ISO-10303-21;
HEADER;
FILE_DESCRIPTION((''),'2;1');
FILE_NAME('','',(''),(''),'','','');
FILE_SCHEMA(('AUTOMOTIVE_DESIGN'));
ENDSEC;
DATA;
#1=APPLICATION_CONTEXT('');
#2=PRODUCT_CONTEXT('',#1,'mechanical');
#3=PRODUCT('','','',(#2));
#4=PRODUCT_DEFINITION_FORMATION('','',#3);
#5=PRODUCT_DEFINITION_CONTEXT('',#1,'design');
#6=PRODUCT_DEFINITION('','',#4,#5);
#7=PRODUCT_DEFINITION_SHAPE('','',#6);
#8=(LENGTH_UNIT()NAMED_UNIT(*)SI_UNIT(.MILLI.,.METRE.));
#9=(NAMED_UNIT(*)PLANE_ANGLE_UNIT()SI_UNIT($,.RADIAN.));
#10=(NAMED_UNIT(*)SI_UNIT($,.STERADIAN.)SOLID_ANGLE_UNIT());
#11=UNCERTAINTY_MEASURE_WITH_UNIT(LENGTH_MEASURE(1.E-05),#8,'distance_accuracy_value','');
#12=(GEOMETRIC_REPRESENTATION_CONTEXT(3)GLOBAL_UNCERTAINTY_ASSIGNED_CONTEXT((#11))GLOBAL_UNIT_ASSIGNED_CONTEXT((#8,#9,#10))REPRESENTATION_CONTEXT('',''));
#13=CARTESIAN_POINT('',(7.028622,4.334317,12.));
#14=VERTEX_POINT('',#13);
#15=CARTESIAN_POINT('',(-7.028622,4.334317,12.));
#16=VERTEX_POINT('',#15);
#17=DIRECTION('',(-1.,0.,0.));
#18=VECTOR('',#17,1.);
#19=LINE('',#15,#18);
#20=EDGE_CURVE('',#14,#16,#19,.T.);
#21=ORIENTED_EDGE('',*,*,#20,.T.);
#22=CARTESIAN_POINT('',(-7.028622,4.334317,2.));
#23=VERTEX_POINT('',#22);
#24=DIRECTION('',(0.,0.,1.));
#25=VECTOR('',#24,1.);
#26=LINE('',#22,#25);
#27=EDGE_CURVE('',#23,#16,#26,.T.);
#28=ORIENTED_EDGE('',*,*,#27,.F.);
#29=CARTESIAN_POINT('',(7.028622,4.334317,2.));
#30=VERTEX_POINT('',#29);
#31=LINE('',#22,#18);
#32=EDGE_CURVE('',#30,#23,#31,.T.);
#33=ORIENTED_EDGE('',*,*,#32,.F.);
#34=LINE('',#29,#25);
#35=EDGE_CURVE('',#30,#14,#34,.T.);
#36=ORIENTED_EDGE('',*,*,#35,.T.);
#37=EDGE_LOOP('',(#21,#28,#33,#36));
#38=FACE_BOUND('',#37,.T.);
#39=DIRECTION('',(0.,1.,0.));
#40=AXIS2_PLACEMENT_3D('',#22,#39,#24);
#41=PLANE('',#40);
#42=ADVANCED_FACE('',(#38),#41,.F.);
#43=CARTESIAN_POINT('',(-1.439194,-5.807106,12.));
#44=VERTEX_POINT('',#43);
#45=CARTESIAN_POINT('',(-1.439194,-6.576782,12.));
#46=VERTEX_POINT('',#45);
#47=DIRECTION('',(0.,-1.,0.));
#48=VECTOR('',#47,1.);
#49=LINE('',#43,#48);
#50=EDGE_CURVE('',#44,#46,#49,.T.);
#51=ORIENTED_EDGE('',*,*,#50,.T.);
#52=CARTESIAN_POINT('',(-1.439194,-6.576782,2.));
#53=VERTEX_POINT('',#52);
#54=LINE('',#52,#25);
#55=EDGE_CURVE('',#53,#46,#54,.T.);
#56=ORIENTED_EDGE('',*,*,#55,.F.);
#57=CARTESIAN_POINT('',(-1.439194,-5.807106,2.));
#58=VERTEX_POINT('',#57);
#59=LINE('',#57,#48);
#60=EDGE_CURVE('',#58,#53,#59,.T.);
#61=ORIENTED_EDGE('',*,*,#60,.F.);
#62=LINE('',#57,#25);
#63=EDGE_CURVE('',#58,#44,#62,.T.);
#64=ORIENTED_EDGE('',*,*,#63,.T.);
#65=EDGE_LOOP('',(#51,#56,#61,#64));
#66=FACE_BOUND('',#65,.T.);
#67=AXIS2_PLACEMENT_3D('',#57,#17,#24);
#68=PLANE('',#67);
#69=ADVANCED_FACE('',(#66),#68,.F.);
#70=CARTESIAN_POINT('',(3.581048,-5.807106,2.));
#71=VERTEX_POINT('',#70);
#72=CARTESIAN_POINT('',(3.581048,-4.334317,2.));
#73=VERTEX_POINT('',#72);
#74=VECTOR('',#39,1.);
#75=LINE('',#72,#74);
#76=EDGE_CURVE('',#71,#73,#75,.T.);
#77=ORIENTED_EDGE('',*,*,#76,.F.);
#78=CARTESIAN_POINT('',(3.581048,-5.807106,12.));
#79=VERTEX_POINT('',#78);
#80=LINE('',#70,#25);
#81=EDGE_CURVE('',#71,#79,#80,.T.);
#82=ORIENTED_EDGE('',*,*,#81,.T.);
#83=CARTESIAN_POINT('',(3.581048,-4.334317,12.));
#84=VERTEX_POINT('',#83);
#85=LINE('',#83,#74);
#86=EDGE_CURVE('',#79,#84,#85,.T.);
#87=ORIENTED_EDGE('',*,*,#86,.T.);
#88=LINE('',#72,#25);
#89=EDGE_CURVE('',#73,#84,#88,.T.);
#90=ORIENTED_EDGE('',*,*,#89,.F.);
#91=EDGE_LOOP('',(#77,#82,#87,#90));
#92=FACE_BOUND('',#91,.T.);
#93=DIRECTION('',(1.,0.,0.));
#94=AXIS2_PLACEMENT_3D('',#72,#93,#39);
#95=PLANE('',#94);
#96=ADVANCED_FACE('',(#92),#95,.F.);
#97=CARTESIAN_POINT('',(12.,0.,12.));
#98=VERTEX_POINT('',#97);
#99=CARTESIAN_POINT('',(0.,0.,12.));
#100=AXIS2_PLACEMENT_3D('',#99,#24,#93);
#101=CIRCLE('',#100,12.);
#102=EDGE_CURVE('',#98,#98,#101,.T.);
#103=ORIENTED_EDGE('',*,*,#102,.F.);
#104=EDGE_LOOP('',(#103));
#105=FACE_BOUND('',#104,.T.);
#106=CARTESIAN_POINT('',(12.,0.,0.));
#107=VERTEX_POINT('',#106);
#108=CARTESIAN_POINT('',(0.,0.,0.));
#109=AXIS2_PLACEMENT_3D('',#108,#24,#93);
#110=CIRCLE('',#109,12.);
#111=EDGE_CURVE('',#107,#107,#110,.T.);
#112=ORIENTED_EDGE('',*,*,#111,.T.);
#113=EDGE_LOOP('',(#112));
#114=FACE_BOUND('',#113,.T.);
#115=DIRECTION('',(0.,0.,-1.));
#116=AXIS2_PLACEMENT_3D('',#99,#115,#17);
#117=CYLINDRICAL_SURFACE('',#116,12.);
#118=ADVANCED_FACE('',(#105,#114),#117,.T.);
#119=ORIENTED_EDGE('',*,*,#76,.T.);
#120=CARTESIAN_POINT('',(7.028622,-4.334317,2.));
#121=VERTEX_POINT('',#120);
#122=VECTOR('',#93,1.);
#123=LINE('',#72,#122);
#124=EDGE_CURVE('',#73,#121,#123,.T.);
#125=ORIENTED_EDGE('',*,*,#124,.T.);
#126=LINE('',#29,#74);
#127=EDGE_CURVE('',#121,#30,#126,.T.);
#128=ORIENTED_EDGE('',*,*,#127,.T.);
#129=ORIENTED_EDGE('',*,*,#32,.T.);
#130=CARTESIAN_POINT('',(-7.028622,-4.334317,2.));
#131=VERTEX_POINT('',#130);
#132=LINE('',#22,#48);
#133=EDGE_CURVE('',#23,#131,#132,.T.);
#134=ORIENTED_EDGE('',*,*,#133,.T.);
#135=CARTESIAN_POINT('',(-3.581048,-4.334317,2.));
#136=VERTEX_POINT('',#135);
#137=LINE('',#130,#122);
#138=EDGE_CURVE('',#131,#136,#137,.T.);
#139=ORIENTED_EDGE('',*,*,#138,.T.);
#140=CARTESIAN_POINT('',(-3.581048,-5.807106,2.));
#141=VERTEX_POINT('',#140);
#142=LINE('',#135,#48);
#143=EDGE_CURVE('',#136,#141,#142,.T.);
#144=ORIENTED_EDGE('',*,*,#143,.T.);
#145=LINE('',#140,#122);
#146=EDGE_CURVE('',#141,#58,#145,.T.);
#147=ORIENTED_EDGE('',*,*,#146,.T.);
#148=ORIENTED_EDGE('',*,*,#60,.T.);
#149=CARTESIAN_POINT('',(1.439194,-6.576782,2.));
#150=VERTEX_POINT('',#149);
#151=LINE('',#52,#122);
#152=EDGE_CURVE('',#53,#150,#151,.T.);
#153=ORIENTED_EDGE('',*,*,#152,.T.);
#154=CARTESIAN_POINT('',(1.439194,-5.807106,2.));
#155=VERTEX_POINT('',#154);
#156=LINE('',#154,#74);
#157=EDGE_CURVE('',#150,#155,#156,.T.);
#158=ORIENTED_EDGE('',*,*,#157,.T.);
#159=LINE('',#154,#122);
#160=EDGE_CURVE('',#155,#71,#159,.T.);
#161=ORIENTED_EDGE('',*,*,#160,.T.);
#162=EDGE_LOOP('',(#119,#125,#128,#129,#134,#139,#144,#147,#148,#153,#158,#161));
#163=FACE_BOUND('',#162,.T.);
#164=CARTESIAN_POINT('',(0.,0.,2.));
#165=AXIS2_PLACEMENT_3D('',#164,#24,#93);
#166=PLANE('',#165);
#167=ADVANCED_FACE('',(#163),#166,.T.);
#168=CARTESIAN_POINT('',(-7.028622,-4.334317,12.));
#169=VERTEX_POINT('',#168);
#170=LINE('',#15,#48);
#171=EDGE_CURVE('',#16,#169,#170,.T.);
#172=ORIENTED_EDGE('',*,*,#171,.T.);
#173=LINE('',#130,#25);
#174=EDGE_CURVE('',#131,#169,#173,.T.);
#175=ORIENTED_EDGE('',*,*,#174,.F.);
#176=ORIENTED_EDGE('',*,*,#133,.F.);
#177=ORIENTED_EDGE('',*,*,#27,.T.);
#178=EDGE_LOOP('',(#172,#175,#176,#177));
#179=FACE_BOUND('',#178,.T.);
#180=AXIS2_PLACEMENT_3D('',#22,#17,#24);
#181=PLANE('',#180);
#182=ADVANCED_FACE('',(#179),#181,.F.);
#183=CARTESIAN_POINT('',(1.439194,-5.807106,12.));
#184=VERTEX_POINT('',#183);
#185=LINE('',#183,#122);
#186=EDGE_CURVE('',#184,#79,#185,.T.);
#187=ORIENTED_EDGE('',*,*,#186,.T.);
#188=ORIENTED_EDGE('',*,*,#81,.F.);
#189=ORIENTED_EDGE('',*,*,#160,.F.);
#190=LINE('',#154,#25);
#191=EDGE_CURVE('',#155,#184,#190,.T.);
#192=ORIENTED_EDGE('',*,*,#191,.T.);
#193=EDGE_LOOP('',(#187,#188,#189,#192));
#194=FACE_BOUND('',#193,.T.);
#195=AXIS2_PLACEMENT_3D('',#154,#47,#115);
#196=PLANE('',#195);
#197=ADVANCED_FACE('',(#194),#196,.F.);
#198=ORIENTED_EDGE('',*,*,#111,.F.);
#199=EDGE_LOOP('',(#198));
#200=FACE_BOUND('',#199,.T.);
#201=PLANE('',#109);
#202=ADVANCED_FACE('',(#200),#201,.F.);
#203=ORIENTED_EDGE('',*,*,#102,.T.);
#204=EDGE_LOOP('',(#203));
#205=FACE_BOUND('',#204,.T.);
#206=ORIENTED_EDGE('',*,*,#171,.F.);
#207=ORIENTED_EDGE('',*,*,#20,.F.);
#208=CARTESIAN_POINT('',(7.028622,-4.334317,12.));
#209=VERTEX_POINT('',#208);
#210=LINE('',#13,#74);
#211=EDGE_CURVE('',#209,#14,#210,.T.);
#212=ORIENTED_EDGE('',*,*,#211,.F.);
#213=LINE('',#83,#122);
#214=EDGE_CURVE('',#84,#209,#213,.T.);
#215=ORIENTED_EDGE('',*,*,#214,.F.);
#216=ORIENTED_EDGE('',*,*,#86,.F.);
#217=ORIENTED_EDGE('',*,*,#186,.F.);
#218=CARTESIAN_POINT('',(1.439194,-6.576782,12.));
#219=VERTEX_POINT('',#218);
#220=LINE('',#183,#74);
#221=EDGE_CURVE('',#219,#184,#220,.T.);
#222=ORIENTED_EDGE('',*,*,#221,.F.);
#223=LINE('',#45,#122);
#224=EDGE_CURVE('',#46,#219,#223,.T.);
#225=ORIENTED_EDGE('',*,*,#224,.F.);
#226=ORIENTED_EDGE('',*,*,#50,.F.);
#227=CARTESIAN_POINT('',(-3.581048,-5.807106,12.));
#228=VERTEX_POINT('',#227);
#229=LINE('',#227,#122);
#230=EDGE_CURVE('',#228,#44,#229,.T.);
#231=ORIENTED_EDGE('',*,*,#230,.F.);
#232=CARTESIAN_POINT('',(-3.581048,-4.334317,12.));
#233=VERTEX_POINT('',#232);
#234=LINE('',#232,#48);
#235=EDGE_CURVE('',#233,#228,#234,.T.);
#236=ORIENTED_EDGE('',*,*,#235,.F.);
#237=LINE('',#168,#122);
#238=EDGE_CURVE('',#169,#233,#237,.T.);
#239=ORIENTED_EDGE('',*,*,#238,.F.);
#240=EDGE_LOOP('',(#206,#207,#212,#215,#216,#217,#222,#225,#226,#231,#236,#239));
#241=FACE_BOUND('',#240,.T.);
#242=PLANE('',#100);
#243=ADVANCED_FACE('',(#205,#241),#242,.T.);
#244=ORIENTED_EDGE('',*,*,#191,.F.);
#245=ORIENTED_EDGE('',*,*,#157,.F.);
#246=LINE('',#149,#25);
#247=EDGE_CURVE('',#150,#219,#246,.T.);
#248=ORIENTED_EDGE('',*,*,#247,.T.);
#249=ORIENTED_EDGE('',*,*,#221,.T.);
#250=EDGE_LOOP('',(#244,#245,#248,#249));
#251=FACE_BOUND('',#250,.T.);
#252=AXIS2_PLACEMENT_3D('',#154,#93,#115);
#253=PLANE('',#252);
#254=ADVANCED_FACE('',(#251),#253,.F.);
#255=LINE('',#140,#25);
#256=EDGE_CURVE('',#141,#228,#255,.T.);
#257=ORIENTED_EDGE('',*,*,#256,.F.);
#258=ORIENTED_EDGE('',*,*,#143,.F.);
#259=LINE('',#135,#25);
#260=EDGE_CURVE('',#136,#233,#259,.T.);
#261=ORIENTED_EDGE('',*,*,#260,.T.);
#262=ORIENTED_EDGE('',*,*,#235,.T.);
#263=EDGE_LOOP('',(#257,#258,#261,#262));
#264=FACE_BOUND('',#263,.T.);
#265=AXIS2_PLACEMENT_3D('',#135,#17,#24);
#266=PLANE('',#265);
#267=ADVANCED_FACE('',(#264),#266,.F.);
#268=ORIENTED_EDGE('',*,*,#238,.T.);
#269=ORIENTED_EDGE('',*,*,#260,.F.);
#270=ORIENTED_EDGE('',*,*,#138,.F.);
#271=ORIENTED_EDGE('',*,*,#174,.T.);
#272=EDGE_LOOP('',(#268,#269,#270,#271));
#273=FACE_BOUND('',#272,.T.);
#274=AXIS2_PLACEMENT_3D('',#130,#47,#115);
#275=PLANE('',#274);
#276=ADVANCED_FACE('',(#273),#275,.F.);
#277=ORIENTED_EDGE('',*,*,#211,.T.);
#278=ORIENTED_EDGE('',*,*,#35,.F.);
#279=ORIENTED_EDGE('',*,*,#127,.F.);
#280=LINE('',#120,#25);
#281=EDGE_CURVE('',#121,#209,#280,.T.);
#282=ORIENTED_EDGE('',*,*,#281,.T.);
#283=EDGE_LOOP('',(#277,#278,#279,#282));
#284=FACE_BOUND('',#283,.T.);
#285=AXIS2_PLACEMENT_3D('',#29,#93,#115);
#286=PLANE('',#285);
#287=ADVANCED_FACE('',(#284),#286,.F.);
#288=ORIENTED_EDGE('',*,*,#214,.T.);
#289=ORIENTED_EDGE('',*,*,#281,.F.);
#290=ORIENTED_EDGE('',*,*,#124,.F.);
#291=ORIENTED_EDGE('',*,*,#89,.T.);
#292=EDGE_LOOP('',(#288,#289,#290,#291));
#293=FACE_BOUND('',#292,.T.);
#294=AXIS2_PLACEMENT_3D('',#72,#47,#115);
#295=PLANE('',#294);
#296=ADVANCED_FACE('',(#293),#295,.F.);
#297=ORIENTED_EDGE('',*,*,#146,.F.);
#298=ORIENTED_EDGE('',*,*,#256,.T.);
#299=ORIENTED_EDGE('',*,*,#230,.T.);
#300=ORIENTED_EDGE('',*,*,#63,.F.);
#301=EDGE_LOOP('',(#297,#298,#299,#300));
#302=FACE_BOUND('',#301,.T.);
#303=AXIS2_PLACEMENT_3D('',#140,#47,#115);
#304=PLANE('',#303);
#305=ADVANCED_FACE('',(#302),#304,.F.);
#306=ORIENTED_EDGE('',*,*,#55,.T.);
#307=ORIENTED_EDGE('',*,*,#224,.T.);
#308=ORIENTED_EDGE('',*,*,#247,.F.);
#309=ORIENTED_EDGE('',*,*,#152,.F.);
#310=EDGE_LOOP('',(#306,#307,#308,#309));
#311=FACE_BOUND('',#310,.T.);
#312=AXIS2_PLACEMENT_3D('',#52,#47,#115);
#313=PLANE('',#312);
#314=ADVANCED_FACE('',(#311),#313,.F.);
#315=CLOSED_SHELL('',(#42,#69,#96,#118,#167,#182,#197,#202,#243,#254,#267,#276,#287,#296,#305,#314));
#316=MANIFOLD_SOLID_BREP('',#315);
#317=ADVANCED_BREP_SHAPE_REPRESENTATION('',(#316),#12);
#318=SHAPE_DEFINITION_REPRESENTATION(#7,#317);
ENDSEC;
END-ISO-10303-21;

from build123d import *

# Parameters (mm, degrees)
SKETCH2_R           = 12
BOSS_EXTRUDE1_DEPTH = 12
CUT_EXTRUDE1_DEPTH  = 10


with BuildPart() as part:
    # Sketch2 → Boss-Extrude1 (new body)
    with BuildSketch(Plane.XY):
        Circle(SKETCH2_R)
    extrude(amount=BOSS_EXTRUDE1_DEPTH)

    # Sketch3 → Cut-Extrude1 (cut)
    with BuildSketch(Plane.XY.offset(12)):
        Polygon((3.581048399, -4.334317157), (7.028622417, -4.334317157), (7.028622417, 4.334317157), (-7.028622417, 4.334317157), (-7.028622417, -4.334317157), (-3.581048399, -4.334317157), (-3.581048399, -5.807105512), (-1.439194114, -5.807105512), (-1.439194114, -6.576782405), (1.439194114, -6.576782405), (1.439194114, -5.807105512), (3.581048399, -5.807105512), align=None)
    extrude(amount=-CUT_EXTRUDE1_DEPTH, mode=Mode.SUBTRACT)


solid = part.part
